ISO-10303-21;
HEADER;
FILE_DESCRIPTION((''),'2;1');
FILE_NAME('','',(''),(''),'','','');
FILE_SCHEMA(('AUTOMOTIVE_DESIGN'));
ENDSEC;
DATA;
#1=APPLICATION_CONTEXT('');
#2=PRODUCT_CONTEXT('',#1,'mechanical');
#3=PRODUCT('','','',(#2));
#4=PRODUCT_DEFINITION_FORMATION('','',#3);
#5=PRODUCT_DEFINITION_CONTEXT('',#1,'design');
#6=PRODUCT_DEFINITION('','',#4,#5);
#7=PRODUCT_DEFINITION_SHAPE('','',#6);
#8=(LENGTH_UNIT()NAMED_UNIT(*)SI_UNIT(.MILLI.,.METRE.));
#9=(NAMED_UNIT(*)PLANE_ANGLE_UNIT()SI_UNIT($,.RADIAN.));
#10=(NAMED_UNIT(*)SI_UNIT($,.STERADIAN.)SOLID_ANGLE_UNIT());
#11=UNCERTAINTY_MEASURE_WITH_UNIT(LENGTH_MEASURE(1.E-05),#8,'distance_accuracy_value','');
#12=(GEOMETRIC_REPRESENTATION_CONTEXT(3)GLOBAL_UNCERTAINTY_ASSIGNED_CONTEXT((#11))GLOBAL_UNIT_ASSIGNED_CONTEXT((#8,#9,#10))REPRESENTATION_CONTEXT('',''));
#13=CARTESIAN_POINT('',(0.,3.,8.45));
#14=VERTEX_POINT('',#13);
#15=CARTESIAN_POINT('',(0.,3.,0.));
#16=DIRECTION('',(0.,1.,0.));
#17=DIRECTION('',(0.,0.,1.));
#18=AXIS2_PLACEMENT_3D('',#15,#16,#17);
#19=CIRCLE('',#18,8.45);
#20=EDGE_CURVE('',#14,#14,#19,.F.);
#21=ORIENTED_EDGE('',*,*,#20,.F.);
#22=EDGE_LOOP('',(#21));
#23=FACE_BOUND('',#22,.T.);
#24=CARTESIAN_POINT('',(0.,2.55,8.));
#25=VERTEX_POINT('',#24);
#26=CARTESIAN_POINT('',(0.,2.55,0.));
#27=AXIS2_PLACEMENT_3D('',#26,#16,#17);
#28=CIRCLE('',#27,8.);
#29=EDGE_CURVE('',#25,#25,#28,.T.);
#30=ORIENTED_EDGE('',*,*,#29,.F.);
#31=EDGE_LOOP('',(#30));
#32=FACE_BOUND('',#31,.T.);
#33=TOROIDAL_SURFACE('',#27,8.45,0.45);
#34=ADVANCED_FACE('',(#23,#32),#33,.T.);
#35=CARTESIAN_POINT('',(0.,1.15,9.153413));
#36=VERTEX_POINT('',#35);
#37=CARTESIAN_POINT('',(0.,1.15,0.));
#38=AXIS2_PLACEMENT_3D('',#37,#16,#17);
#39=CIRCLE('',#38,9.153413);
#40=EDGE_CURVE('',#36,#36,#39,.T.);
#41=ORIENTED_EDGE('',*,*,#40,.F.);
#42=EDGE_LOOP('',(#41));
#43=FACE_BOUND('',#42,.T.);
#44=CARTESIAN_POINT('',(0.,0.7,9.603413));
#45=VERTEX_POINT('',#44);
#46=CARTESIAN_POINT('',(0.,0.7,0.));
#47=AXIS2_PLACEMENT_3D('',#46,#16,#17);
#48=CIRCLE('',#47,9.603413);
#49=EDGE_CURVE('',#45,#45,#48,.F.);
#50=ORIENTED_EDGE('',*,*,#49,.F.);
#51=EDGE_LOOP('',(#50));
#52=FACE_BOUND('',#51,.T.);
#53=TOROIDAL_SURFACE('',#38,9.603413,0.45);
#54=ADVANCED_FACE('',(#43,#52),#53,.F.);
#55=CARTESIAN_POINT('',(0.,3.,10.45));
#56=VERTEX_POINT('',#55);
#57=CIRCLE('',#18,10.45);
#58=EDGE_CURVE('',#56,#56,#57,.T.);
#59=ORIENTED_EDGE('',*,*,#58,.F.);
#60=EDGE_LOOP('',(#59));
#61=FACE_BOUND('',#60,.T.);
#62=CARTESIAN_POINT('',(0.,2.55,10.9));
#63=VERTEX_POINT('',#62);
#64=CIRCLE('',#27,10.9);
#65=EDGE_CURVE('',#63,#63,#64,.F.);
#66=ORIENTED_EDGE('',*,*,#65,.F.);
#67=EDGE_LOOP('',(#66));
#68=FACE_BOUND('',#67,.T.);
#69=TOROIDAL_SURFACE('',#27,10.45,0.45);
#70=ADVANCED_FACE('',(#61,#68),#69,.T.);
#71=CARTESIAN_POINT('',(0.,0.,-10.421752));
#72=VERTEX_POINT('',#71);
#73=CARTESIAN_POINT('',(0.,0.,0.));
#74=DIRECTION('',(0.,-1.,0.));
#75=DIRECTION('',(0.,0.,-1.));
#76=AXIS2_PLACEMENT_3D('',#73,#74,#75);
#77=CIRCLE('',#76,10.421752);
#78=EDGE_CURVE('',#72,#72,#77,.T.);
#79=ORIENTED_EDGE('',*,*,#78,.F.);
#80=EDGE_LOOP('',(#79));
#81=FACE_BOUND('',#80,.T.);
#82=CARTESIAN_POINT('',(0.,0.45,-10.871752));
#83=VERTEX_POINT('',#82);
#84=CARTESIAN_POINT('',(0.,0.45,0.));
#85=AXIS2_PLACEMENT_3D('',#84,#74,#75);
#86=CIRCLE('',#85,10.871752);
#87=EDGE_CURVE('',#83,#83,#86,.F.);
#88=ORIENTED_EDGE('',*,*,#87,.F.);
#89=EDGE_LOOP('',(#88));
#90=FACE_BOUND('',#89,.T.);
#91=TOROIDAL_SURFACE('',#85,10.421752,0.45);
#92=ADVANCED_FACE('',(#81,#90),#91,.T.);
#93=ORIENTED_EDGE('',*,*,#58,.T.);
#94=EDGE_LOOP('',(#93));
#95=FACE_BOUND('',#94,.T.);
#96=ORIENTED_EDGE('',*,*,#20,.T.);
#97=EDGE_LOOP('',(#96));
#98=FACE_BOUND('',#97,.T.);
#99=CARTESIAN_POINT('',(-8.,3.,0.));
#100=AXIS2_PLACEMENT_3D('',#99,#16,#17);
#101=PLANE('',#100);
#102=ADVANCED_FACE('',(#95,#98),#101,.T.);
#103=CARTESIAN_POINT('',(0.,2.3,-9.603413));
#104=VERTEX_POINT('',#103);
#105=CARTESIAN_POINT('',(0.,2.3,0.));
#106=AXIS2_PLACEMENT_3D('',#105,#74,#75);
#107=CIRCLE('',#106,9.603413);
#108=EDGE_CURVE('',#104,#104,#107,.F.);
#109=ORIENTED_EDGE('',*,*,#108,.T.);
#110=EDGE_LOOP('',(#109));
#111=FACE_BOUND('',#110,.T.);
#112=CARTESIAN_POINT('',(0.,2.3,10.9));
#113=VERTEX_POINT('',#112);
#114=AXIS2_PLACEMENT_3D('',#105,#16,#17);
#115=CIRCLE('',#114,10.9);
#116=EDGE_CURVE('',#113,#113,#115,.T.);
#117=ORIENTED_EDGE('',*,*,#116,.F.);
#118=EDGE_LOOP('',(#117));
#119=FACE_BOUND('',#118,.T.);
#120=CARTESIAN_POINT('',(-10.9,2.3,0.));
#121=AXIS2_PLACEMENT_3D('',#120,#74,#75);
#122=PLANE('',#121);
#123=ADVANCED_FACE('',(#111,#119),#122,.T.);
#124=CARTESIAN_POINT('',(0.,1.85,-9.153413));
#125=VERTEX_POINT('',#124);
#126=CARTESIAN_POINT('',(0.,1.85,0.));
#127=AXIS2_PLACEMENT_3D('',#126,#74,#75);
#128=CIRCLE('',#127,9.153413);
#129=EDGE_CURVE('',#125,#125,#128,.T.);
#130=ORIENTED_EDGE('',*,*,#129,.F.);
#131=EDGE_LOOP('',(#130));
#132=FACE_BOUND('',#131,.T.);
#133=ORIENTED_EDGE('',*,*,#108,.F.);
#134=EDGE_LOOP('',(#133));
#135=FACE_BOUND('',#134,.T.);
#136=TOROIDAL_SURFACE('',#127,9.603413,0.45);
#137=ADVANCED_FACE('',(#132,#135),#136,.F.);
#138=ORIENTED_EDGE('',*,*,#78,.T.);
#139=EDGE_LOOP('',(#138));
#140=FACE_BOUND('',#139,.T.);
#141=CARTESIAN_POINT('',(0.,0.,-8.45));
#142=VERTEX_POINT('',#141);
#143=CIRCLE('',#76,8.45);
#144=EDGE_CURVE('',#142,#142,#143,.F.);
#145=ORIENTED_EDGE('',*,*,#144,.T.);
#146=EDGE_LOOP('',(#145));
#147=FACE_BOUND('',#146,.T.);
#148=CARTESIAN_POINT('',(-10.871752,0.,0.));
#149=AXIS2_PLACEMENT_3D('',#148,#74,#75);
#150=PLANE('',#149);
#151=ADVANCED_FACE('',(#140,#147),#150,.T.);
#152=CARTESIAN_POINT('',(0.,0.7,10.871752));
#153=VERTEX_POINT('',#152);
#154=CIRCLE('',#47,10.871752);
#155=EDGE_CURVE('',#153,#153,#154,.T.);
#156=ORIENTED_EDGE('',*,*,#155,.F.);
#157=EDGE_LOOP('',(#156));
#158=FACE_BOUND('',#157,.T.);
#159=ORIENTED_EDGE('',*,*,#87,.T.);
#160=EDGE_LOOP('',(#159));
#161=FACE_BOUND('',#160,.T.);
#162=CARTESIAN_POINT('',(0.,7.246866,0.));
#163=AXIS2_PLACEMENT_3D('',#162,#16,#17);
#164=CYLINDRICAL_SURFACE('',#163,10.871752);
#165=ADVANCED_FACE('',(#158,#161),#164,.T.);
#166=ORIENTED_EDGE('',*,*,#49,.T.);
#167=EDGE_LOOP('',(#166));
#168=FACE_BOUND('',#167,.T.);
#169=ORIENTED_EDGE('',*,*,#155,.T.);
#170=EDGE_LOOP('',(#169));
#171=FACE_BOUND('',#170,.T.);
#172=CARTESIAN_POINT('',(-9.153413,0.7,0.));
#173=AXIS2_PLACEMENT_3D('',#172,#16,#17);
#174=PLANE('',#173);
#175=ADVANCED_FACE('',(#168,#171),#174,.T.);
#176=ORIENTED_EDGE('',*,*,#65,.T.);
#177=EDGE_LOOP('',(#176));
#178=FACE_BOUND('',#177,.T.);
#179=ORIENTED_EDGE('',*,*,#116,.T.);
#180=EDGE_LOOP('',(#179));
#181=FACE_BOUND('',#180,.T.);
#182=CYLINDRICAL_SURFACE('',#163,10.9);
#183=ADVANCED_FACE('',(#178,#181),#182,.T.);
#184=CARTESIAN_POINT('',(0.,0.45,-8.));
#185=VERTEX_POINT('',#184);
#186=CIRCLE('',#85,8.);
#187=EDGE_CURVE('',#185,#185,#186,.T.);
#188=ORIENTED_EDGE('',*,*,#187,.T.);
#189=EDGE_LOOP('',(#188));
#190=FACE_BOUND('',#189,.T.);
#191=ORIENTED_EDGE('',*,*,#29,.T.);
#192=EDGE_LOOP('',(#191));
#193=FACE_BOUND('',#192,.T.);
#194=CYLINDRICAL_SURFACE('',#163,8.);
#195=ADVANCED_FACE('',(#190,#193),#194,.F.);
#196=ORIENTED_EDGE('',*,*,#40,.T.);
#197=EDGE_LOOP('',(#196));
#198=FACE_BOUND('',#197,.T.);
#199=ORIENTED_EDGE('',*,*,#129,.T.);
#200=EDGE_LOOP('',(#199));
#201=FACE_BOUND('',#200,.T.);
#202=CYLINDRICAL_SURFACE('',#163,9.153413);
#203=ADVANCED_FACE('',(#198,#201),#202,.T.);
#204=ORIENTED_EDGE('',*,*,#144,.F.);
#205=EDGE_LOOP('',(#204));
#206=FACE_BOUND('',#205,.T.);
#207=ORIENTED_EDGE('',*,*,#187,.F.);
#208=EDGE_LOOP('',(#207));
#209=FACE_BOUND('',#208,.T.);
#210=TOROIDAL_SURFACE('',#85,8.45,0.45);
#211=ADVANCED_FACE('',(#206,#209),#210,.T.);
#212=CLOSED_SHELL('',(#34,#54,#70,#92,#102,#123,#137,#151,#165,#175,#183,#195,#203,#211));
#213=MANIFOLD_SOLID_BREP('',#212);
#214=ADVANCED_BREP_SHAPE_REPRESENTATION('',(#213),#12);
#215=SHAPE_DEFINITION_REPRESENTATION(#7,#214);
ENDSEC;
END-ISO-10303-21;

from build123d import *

# Parameters (mm, degrees)
FILLET1_R = 0.45


with BuildPart() as part:
    # Sketch1 → Revolve1 (revolve)
    with BuildSketch(Plane.XY, mode=Mode.PRIVATE) as revolve1_sk:
        Polygon((-8, 0), (-8, 3), (-10.9, 3), (-10.9, 2.3), (-9.153413472, 2.3), (-9.153413472, 0.7), (-10.87175241, 0.7), (-10.87175241, 0), align=None)
    revolve(revolve1_sk.sketch.rotate(Axis((0, 7.246866229, 0), (0, -1, 0)), 270), axis=Axis((0, 7.246866229, 0), (0, -1, 0)))

    # Fillet1
    fillet1_edges = [part.edges().sort_by_distance(p)[0] for p in [
        (0, 0, -10.87175241),
        (0, 0.7, -9.153413472),
        (0, 2.3, -9.153413472),
        (0, 3, -10.9),
        (0, 3, -8),
        (0, 0, -8),
    ]]
    fillet(fillet1_edges, radius=FILLET1_R)


solid = part.part
